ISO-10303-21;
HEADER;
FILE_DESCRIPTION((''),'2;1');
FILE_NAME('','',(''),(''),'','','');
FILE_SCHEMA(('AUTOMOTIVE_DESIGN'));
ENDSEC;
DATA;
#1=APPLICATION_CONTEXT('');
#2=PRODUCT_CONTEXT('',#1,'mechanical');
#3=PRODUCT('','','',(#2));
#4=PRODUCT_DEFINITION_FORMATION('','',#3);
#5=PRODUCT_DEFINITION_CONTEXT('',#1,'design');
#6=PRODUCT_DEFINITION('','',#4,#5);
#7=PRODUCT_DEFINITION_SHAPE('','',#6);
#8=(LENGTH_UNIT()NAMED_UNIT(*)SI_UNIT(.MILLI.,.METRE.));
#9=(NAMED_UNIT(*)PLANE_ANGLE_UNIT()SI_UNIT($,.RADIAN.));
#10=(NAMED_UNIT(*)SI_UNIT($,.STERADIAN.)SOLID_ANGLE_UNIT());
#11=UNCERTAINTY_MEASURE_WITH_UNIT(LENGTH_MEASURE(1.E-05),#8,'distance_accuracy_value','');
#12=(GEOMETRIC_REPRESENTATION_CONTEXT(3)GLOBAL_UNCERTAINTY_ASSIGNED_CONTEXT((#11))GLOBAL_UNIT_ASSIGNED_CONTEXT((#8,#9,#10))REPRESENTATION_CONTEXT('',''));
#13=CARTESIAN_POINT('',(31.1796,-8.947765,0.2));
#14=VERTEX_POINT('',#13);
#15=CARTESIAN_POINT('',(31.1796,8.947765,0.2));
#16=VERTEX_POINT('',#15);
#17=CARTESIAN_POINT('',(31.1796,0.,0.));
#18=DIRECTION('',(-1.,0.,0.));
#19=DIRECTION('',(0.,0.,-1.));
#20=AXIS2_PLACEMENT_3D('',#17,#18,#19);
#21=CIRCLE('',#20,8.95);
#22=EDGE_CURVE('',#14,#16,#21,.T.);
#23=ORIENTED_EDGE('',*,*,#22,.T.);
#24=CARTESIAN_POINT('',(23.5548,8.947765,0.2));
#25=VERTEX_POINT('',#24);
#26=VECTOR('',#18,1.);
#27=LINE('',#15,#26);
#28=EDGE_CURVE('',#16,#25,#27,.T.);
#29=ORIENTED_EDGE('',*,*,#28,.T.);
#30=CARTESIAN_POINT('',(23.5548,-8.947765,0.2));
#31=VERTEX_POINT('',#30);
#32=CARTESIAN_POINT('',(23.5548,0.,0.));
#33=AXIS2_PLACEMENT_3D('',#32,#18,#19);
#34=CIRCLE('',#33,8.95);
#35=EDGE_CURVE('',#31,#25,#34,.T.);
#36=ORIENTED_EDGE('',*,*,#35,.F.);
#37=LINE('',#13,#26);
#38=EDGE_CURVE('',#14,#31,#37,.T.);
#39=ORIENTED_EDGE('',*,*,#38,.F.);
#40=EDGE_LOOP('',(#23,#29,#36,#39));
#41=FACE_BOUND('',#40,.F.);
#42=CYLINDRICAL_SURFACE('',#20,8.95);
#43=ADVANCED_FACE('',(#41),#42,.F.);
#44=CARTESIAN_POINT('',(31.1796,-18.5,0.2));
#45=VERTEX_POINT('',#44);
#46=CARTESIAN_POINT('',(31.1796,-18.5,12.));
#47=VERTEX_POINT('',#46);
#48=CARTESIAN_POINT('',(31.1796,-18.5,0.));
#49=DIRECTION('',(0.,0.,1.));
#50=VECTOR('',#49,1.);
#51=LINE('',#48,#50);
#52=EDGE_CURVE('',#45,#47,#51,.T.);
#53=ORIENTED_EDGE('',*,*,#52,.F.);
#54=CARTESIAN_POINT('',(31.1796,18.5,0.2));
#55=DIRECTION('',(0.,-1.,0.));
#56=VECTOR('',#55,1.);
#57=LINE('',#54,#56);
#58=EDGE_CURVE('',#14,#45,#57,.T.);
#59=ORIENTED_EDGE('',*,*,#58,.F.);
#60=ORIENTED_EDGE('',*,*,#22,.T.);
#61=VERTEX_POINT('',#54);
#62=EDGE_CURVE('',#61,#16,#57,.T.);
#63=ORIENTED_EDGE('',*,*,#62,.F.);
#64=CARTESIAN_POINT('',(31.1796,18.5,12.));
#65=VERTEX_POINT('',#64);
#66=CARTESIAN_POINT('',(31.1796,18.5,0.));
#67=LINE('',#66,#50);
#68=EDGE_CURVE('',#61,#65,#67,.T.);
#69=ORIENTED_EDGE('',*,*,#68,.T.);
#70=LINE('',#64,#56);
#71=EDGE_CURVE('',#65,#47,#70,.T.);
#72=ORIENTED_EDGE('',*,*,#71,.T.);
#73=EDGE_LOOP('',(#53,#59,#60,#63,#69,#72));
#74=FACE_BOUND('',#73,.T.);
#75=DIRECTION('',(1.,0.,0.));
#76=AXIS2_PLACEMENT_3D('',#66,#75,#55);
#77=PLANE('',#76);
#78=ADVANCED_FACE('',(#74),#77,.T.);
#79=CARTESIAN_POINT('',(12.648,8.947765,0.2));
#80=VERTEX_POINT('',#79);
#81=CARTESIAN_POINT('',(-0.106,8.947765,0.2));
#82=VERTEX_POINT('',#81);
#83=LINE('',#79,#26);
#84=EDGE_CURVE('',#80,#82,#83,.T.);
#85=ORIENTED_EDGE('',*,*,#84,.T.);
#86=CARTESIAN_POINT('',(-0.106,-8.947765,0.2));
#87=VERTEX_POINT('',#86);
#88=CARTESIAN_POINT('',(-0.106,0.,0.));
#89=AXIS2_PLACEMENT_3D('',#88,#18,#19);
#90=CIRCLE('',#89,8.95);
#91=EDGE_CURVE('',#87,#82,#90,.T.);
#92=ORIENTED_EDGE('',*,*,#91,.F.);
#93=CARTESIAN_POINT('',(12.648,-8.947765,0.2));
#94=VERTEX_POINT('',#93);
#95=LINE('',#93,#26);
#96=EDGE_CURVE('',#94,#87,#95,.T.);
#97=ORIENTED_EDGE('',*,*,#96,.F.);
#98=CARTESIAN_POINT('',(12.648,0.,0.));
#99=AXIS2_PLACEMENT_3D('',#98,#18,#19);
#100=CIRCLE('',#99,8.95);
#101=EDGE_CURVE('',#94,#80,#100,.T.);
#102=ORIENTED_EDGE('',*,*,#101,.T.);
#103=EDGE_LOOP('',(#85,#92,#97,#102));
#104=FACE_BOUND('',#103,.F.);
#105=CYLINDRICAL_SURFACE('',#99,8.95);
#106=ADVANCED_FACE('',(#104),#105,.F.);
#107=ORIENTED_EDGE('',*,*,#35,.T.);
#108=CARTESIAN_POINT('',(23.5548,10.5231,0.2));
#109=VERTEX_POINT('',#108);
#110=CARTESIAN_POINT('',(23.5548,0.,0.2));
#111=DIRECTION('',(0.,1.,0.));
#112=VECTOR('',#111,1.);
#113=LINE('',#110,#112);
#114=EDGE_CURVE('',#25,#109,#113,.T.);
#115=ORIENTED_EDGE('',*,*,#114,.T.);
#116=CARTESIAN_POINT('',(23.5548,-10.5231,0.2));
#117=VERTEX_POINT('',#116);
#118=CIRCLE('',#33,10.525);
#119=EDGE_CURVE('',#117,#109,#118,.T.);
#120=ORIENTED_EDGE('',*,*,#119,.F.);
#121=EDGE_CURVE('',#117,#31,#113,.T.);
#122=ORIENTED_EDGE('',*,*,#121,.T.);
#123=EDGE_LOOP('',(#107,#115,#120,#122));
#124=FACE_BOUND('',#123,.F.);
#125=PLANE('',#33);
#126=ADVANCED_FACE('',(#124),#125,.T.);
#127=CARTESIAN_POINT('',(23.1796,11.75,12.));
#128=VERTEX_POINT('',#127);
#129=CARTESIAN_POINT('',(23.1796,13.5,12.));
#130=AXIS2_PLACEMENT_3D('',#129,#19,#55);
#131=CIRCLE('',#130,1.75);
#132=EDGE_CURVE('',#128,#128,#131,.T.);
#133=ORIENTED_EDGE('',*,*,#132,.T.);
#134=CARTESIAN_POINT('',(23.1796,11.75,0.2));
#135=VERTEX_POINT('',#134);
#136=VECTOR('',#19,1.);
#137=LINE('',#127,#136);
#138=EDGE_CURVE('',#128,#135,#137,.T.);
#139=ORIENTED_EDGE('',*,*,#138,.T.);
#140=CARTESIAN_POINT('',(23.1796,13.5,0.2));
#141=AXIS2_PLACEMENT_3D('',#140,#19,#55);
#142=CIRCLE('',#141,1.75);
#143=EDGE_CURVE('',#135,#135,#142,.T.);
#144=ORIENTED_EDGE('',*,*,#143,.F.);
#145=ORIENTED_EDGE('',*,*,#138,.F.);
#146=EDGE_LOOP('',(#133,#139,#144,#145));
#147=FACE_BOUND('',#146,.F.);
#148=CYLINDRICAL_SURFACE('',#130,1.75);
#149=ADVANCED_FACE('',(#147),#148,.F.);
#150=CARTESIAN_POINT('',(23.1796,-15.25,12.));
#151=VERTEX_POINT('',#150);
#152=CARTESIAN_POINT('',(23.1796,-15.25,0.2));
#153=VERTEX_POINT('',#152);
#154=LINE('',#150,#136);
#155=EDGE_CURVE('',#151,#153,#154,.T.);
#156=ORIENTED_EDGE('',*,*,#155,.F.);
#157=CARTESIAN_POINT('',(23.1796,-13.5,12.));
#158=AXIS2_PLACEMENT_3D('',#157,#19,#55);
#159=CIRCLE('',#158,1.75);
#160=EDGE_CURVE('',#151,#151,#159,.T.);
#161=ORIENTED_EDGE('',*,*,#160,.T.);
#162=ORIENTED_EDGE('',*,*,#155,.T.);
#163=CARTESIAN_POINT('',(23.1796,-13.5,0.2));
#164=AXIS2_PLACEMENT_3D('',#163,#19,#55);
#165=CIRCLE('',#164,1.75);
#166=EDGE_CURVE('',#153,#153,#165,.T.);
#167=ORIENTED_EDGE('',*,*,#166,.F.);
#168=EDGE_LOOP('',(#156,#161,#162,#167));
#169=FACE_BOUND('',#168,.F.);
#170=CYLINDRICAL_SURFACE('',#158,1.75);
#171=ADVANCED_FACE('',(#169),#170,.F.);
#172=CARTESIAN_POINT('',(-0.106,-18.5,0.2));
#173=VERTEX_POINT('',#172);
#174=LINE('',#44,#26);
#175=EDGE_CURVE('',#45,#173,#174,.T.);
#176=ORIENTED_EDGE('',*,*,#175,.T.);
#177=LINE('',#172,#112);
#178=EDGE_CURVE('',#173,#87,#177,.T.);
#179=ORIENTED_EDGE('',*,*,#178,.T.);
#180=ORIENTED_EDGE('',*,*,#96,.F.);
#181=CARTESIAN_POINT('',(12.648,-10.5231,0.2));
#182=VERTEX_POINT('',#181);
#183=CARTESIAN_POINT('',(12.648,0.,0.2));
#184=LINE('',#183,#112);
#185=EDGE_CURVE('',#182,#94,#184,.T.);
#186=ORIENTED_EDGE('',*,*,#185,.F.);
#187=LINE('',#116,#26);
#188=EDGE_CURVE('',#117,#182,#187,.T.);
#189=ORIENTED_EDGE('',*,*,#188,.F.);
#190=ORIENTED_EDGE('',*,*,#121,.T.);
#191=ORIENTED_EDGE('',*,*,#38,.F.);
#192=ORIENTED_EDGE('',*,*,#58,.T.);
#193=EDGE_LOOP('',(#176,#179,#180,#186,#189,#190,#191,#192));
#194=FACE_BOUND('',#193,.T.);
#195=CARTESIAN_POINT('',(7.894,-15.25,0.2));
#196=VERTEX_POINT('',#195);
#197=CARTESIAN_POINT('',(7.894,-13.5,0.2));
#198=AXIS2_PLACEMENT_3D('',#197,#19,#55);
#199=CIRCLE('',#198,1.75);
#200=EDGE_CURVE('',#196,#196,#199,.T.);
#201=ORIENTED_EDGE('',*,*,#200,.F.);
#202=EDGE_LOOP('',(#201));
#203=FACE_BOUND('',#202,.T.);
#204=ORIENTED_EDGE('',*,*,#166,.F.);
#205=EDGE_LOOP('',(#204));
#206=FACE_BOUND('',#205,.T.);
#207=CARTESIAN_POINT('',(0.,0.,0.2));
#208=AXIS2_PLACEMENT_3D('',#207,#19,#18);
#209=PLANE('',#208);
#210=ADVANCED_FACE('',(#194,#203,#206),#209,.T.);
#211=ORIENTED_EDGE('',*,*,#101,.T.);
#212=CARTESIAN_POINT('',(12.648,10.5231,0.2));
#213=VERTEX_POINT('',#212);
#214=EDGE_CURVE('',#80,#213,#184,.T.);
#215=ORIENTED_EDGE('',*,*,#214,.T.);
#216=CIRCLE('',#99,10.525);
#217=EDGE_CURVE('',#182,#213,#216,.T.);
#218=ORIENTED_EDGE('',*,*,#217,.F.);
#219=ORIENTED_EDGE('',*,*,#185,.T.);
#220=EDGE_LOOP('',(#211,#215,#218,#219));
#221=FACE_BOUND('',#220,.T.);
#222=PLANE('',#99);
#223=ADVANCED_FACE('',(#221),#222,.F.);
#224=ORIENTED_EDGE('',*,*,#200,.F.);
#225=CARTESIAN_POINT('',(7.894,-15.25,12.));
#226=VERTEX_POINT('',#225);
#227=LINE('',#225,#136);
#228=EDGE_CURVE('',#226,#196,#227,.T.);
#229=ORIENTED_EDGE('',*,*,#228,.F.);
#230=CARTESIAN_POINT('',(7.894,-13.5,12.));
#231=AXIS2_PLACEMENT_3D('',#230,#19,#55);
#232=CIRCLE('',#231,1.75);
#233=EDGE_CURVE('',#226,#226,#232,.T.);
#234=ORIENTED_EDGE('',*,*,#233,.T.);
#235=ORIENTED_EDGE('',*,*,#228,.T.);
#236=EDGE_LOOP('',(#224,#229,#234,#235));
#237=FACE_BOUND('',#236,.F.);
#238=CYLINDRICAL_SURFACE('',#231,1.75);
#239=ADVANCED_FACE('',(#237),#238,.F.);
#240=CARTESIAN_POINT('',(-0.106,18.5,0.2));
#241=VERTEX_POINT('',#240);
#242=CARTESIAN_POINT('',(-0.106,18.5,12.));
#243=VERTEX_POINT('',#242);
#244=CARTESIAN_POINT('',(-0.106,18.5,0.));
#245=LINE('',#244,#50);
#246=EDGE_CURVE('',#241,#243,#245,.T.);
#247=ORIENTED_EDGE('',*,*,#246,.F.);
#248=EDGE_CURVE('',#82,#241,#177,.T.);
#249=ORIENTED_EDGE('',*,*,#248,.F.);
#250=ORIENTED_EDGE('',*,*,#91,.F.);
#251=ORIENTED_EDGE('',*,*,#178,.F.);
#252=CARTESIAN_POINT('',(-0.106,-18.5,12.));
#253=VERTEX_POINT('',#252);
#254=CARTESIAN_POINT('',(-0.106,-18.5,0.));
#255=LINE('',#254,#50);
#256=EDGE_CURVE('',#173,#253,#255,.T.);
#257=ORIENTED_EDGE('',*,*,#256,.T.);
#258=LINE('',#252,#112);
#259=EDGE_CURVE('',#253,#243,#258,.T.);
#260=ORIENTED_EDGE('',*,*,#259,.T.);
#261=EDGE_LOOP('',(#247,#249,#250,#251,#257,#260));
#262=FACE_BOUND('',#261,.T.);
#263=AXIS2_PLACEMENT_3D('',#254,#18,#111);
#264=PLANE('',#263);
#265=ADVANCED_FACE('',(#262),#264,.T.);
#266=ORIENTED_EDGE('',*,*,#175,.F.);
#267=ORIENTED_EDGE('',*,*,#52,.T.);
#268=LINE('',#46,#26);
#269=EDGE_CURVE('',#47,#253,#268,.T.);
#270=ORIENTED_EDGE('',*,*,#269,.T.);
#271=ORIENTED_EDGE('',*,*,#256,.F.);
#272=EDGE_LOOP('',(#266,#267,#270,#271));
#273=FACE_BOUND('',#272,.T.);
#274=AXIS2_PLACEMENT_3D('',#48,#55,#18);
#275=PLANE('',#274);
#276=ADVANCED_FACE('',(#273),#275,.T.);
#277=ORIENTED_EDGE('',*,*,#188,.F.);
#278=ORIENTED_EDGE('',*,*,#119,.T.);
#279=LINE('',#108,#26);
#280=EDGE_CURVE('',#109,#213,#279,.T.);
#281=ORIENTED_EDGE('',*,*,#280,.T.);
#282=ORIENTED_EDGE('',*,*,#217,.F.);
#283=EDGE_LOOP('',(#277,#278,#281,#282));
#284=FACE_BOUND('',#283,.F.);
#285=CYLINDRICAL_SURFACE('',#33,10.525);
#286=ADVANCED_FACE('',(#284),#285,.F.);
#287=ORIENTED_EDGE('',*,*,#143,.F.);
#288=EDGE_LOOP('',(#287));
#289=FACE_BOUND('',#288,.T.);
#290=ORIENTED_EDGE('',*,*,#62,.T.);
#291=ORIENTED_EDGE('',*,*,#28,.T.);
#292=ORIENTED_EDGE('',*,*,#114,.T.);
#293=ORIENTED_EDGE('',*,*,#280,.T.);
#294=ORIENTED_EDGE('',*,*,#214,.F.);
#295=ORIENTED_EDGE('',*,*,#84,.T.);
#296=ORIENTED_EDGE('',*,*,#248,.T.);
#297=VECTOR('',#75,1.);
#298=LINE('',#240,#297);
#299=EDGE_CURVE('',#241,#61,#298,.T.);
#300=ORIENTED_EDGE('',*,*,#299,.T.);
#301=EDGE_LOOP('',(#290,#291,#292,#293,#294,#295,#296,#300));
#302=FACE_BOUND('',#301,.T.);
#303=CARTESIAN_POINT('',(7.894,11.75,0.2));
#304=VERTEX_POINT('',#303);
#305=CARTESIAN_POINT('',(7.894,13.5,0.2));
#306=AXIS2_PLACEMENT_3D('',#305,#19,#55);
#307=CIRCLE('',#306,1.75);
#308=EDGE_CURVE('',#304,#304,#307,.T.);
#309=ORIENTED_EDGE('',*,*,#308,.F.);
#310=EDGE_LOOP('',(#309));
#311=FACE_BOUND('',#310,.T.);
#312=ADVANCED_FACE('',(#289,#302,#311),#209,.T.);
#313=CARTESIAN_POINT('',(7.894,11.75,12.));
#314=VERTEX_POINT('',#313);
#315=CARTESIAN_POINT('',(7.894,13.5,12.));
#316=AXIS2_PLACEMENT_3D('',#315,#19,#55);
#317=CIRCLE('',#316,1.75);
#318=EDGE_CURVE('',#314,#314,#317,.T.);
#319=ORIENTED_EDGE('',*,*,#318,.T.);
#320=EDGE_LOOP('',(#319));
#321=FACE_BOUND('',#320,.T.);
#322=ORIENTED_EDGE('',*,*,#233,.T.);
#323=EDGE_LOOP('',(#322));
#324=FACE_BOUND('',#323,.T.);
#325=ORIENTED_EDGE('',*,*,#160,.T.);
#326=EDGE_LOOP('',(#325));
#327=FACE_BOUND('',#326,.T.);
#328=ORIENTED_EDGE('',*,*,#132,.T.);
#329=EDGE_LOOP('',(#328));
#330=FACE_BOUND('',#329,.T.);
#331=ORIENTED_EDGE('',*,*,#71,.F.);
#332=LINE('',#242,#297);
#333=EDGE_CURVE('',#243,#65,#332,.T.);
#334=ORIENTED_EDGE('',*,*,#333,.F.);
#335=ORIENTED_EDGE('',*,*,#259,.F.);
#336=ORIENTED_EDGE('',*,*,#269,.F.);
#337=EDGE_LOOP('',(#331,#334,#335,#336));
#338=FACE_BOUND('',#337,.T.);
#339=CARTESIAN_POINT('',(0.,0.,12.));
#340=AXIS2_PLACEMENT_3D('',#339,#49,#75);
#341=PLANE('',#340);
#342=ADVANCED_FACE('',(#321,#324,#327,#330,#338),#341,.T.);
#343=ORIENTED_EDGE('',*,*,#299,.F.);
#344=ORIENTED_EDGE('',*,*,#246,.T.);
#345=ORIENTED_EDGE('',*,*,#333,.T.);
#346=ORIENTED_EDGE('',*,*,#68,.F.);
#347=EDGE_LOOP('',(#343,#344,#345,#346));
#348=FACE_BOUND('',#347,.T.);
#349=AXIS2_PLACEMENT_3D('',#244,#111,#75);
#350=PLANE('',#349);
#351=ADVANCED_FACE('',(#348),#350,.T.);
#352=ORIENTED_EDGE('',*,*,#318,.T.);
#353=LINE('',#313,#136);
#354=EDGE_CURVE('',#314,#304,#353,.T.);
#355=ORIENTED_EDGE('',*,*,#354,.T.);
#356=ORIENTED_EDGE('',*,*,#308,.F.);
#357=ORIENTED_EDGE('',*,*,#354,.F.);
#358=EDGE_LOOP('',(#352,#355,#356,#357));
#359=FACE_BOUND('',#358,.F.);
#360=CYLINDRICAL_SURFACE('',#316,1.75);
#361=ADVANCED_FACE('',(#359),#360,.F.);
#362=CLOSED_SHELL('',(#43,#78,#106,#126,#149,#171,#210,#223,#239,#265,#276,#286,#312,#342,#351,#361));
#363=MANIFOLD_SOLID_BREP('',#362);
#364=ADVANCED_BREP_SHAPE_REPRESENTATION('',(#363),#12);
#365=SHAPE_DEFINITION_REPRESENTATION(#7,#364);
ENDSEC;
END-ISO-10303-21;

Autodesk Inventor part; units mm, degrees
ref_plane "YZ Plane" through (0, 0, 0) normal (1, 0, 0) x (0, 1, 0)
ref_plane "XZ Plane" through (0, 0, 0) normal (0, 1, 0) x (-1, 0, 0)
ref_plane "Work Plane1" through (0, 0, 0) normal (0, 0, 1) x (1, 0, 0)
sketch "Sketch1" plane through (0, 0, 0) normal (0, 0, 1) x (1, 0, 0)
  circle A0 centre (13.9438, -25.4) radius 3.3782 construction
  line L0 (31.1796, -40) -> (-0.106, -40) construction
  line L1 (31.1796, -40) -> (31.1796, -8.95) construction
  line L2 (31.1796, -8.95) -> (23.5548, -8.95) construction
  line L3 (23.5548, -8.95) -> (23.5548, -10.525) construction
  line L4 (23.5548, -10.525) -> (12.648, -10.525) construction
  line L5 (12.648, -10.525) -> (12.648, -8.95) construction
  line L6 (12.648, -8.95) -> (-0.106, -8.95) construction
  line L7 (-0.106, -8.95) -> (-0.106, -40) construction
  circle A1 centre (13.9438, 25.4) radius 3.3782 construction
  line L8 (-0.106, 8.95) -> (12.648, 8.95) construction
  line L9 (12.648, 8.95) -> (12.648, 10.525) construction
  line L10 (12.648, 10.525) -> (23.5548, 10.525) construction
  line L11 (23.5548, 10.525) -> (23.5548, 8.95) construction
  line L12 (23.5548, 8.95) -> (31.1796, 8.95) construction
  line L13 (31.1796, 8.95) -> (31.1796, 45) construction
  line L14 (-0.106, 45) -> (31.1796, 45) construction
  line L15 (-0.106, 45) -> (-0.106, 8.95) construction
  line L16 (31.1796, -18.5) -> (-0.106, -18.5)
  line L17 (-0.106, -18.5) -> (-0.106, 18.5)
  line L18 (-0.106, 18.5) -> (31.1796, 18.5)
  line L19 (31.1796, 18.5) -> (31.1796, -18.5)
  line L20 (65.998, 0) -> (-177.7308, 0) construction
  circle A2 centre (13.9438, 25.4) radius 5.5 construction
  circle A3 centre (23.1796, -13.5) radius 2 projected
  circle A4 centre (7.894, -13.5) radius 2 projected
  circle A5 centre (7.894, 13.5) radius 2 projected
  circle A6 centre (23.1796, 13.5) radius 2 projected
  point P0 (0, 0)
  point P1 (13.9438, 22.0218)
  dimension "d2" = 37
  dimension "d3" = 11
ref_plane "Work Plane2" through (-142.9124, -40, 12) normal (0, 0, 1) x (1, 0, 0)
extrude "Extrusion1" add sketch "Sketch1" along normal up to surface (12 mm away) contours L16 L17 L18 L19 | A3 | A4 | A5 | A6
sketch "Sketch2" plane through (0, 0, 0) normal (0, 1, 0) x (-1, 0, 0)
  line L0 (1.106, -8.95) -> (1.106, 0)
  line L1 (1.106, 0) -> (-32.1796, 0)
  line L2 (-32.1796, 0) -> (-32.1796, -8.95)
  line L3 (-38.8367, 0) -> (7.7631, 0) construction
  line L4 (-31.1796, -8.95) -> (-31.1796, 0) construction
  line L5 (0.106, 7.5245) -> (0.106, -7.5245) construction
  line L6 (-31.1796, -8.95) -> (-23.5548, -8.95)
  line L7 (-23.5548, -10.525) -> (-12.648, -10.525)
  line L8 (-12.648, -8.95) -> (0.106, -8.95)
  line L9 (-31.1796, -8.95) -> (-32.1796, -8.95)
  line L10 (0.106, -8.95) -> (1.106, -8.95)
  line L11 (-23.5548, -8.95) -> (-23.5548, -10.525)
  line L12 (-12.648, -8.95) -> (-12.648, -10.525)
  point P0 (0, 0)
  point P1 (1.106, 0)
  point P2 (-32.1796, 0)
  dimension "d7" = 1
  dimension "d8" = 1
revolve "Revolution1" cut sketch "Sketch2" angle 360 about axis through (0, 0, 0) along (-1, 0, 0)
sketch "Sketch3" plane through (0, 0, 0) normal (0, 0, -1) x (-1, 0, 0)
  line L0 (0.106, 18.5) -> (-31.1796, 18.5)
  line L1 (-31.1796, 18.5) -> (-31.1796, -18.5)
  line L2 (-31.1796, -18.5) -> (0.106, -18.5)
  line L3 (0.106, -18.5) -> (0.106, 18.5)
  point P0 (0, 0)
extrude "Extrusion2" cut sketch "Sketch3" against normal blind 0.2
sketch "Sketch4" plane through (-0.106, 18.5, 12) normal (0, 0, 1) x (1, 0, 0)
  line L0 (31.2856, 0) -> (31.2856, -37) construction
  line L1 (0, 0) -> (31.2856, 0) construction
  line L2 (0, -37) -> (0, 0) construction
  line L3 (31.2856, -37) -> (0, -37) construction
  line L4 (31.2856, -5) -> (0, -5) construction
  line L5 (-6.2571, -18.5) -> (37.5427, -18.5) construction
  line L6 (31.2856, 0) -> (31.2856, -37) construction
  line L7 (0, -37) -> (0, 0) construction
  point P0 (0.106, -18.5)
  point P1 (23.2856, -5)
  point P2 (8, -5)
  point P3 (23.2856, -32)
  point P4 (8, -32)
  dimension "d12" = 8
  dimension "d13" = 8
  dimension "d14" = 5
hole "Thru Hole Holddown Screws M3" at (23.1796, 13.5, 12) at (7.894, 13.5, 12) at (23.1796, -13.5, 12) at (7.894, -13.5, 12) direction (0, 0, -1) diameter 3.5 end through all
equation "\"d13\" = d12"
properties part number "Cuvette Holder Transmit Holddown"
